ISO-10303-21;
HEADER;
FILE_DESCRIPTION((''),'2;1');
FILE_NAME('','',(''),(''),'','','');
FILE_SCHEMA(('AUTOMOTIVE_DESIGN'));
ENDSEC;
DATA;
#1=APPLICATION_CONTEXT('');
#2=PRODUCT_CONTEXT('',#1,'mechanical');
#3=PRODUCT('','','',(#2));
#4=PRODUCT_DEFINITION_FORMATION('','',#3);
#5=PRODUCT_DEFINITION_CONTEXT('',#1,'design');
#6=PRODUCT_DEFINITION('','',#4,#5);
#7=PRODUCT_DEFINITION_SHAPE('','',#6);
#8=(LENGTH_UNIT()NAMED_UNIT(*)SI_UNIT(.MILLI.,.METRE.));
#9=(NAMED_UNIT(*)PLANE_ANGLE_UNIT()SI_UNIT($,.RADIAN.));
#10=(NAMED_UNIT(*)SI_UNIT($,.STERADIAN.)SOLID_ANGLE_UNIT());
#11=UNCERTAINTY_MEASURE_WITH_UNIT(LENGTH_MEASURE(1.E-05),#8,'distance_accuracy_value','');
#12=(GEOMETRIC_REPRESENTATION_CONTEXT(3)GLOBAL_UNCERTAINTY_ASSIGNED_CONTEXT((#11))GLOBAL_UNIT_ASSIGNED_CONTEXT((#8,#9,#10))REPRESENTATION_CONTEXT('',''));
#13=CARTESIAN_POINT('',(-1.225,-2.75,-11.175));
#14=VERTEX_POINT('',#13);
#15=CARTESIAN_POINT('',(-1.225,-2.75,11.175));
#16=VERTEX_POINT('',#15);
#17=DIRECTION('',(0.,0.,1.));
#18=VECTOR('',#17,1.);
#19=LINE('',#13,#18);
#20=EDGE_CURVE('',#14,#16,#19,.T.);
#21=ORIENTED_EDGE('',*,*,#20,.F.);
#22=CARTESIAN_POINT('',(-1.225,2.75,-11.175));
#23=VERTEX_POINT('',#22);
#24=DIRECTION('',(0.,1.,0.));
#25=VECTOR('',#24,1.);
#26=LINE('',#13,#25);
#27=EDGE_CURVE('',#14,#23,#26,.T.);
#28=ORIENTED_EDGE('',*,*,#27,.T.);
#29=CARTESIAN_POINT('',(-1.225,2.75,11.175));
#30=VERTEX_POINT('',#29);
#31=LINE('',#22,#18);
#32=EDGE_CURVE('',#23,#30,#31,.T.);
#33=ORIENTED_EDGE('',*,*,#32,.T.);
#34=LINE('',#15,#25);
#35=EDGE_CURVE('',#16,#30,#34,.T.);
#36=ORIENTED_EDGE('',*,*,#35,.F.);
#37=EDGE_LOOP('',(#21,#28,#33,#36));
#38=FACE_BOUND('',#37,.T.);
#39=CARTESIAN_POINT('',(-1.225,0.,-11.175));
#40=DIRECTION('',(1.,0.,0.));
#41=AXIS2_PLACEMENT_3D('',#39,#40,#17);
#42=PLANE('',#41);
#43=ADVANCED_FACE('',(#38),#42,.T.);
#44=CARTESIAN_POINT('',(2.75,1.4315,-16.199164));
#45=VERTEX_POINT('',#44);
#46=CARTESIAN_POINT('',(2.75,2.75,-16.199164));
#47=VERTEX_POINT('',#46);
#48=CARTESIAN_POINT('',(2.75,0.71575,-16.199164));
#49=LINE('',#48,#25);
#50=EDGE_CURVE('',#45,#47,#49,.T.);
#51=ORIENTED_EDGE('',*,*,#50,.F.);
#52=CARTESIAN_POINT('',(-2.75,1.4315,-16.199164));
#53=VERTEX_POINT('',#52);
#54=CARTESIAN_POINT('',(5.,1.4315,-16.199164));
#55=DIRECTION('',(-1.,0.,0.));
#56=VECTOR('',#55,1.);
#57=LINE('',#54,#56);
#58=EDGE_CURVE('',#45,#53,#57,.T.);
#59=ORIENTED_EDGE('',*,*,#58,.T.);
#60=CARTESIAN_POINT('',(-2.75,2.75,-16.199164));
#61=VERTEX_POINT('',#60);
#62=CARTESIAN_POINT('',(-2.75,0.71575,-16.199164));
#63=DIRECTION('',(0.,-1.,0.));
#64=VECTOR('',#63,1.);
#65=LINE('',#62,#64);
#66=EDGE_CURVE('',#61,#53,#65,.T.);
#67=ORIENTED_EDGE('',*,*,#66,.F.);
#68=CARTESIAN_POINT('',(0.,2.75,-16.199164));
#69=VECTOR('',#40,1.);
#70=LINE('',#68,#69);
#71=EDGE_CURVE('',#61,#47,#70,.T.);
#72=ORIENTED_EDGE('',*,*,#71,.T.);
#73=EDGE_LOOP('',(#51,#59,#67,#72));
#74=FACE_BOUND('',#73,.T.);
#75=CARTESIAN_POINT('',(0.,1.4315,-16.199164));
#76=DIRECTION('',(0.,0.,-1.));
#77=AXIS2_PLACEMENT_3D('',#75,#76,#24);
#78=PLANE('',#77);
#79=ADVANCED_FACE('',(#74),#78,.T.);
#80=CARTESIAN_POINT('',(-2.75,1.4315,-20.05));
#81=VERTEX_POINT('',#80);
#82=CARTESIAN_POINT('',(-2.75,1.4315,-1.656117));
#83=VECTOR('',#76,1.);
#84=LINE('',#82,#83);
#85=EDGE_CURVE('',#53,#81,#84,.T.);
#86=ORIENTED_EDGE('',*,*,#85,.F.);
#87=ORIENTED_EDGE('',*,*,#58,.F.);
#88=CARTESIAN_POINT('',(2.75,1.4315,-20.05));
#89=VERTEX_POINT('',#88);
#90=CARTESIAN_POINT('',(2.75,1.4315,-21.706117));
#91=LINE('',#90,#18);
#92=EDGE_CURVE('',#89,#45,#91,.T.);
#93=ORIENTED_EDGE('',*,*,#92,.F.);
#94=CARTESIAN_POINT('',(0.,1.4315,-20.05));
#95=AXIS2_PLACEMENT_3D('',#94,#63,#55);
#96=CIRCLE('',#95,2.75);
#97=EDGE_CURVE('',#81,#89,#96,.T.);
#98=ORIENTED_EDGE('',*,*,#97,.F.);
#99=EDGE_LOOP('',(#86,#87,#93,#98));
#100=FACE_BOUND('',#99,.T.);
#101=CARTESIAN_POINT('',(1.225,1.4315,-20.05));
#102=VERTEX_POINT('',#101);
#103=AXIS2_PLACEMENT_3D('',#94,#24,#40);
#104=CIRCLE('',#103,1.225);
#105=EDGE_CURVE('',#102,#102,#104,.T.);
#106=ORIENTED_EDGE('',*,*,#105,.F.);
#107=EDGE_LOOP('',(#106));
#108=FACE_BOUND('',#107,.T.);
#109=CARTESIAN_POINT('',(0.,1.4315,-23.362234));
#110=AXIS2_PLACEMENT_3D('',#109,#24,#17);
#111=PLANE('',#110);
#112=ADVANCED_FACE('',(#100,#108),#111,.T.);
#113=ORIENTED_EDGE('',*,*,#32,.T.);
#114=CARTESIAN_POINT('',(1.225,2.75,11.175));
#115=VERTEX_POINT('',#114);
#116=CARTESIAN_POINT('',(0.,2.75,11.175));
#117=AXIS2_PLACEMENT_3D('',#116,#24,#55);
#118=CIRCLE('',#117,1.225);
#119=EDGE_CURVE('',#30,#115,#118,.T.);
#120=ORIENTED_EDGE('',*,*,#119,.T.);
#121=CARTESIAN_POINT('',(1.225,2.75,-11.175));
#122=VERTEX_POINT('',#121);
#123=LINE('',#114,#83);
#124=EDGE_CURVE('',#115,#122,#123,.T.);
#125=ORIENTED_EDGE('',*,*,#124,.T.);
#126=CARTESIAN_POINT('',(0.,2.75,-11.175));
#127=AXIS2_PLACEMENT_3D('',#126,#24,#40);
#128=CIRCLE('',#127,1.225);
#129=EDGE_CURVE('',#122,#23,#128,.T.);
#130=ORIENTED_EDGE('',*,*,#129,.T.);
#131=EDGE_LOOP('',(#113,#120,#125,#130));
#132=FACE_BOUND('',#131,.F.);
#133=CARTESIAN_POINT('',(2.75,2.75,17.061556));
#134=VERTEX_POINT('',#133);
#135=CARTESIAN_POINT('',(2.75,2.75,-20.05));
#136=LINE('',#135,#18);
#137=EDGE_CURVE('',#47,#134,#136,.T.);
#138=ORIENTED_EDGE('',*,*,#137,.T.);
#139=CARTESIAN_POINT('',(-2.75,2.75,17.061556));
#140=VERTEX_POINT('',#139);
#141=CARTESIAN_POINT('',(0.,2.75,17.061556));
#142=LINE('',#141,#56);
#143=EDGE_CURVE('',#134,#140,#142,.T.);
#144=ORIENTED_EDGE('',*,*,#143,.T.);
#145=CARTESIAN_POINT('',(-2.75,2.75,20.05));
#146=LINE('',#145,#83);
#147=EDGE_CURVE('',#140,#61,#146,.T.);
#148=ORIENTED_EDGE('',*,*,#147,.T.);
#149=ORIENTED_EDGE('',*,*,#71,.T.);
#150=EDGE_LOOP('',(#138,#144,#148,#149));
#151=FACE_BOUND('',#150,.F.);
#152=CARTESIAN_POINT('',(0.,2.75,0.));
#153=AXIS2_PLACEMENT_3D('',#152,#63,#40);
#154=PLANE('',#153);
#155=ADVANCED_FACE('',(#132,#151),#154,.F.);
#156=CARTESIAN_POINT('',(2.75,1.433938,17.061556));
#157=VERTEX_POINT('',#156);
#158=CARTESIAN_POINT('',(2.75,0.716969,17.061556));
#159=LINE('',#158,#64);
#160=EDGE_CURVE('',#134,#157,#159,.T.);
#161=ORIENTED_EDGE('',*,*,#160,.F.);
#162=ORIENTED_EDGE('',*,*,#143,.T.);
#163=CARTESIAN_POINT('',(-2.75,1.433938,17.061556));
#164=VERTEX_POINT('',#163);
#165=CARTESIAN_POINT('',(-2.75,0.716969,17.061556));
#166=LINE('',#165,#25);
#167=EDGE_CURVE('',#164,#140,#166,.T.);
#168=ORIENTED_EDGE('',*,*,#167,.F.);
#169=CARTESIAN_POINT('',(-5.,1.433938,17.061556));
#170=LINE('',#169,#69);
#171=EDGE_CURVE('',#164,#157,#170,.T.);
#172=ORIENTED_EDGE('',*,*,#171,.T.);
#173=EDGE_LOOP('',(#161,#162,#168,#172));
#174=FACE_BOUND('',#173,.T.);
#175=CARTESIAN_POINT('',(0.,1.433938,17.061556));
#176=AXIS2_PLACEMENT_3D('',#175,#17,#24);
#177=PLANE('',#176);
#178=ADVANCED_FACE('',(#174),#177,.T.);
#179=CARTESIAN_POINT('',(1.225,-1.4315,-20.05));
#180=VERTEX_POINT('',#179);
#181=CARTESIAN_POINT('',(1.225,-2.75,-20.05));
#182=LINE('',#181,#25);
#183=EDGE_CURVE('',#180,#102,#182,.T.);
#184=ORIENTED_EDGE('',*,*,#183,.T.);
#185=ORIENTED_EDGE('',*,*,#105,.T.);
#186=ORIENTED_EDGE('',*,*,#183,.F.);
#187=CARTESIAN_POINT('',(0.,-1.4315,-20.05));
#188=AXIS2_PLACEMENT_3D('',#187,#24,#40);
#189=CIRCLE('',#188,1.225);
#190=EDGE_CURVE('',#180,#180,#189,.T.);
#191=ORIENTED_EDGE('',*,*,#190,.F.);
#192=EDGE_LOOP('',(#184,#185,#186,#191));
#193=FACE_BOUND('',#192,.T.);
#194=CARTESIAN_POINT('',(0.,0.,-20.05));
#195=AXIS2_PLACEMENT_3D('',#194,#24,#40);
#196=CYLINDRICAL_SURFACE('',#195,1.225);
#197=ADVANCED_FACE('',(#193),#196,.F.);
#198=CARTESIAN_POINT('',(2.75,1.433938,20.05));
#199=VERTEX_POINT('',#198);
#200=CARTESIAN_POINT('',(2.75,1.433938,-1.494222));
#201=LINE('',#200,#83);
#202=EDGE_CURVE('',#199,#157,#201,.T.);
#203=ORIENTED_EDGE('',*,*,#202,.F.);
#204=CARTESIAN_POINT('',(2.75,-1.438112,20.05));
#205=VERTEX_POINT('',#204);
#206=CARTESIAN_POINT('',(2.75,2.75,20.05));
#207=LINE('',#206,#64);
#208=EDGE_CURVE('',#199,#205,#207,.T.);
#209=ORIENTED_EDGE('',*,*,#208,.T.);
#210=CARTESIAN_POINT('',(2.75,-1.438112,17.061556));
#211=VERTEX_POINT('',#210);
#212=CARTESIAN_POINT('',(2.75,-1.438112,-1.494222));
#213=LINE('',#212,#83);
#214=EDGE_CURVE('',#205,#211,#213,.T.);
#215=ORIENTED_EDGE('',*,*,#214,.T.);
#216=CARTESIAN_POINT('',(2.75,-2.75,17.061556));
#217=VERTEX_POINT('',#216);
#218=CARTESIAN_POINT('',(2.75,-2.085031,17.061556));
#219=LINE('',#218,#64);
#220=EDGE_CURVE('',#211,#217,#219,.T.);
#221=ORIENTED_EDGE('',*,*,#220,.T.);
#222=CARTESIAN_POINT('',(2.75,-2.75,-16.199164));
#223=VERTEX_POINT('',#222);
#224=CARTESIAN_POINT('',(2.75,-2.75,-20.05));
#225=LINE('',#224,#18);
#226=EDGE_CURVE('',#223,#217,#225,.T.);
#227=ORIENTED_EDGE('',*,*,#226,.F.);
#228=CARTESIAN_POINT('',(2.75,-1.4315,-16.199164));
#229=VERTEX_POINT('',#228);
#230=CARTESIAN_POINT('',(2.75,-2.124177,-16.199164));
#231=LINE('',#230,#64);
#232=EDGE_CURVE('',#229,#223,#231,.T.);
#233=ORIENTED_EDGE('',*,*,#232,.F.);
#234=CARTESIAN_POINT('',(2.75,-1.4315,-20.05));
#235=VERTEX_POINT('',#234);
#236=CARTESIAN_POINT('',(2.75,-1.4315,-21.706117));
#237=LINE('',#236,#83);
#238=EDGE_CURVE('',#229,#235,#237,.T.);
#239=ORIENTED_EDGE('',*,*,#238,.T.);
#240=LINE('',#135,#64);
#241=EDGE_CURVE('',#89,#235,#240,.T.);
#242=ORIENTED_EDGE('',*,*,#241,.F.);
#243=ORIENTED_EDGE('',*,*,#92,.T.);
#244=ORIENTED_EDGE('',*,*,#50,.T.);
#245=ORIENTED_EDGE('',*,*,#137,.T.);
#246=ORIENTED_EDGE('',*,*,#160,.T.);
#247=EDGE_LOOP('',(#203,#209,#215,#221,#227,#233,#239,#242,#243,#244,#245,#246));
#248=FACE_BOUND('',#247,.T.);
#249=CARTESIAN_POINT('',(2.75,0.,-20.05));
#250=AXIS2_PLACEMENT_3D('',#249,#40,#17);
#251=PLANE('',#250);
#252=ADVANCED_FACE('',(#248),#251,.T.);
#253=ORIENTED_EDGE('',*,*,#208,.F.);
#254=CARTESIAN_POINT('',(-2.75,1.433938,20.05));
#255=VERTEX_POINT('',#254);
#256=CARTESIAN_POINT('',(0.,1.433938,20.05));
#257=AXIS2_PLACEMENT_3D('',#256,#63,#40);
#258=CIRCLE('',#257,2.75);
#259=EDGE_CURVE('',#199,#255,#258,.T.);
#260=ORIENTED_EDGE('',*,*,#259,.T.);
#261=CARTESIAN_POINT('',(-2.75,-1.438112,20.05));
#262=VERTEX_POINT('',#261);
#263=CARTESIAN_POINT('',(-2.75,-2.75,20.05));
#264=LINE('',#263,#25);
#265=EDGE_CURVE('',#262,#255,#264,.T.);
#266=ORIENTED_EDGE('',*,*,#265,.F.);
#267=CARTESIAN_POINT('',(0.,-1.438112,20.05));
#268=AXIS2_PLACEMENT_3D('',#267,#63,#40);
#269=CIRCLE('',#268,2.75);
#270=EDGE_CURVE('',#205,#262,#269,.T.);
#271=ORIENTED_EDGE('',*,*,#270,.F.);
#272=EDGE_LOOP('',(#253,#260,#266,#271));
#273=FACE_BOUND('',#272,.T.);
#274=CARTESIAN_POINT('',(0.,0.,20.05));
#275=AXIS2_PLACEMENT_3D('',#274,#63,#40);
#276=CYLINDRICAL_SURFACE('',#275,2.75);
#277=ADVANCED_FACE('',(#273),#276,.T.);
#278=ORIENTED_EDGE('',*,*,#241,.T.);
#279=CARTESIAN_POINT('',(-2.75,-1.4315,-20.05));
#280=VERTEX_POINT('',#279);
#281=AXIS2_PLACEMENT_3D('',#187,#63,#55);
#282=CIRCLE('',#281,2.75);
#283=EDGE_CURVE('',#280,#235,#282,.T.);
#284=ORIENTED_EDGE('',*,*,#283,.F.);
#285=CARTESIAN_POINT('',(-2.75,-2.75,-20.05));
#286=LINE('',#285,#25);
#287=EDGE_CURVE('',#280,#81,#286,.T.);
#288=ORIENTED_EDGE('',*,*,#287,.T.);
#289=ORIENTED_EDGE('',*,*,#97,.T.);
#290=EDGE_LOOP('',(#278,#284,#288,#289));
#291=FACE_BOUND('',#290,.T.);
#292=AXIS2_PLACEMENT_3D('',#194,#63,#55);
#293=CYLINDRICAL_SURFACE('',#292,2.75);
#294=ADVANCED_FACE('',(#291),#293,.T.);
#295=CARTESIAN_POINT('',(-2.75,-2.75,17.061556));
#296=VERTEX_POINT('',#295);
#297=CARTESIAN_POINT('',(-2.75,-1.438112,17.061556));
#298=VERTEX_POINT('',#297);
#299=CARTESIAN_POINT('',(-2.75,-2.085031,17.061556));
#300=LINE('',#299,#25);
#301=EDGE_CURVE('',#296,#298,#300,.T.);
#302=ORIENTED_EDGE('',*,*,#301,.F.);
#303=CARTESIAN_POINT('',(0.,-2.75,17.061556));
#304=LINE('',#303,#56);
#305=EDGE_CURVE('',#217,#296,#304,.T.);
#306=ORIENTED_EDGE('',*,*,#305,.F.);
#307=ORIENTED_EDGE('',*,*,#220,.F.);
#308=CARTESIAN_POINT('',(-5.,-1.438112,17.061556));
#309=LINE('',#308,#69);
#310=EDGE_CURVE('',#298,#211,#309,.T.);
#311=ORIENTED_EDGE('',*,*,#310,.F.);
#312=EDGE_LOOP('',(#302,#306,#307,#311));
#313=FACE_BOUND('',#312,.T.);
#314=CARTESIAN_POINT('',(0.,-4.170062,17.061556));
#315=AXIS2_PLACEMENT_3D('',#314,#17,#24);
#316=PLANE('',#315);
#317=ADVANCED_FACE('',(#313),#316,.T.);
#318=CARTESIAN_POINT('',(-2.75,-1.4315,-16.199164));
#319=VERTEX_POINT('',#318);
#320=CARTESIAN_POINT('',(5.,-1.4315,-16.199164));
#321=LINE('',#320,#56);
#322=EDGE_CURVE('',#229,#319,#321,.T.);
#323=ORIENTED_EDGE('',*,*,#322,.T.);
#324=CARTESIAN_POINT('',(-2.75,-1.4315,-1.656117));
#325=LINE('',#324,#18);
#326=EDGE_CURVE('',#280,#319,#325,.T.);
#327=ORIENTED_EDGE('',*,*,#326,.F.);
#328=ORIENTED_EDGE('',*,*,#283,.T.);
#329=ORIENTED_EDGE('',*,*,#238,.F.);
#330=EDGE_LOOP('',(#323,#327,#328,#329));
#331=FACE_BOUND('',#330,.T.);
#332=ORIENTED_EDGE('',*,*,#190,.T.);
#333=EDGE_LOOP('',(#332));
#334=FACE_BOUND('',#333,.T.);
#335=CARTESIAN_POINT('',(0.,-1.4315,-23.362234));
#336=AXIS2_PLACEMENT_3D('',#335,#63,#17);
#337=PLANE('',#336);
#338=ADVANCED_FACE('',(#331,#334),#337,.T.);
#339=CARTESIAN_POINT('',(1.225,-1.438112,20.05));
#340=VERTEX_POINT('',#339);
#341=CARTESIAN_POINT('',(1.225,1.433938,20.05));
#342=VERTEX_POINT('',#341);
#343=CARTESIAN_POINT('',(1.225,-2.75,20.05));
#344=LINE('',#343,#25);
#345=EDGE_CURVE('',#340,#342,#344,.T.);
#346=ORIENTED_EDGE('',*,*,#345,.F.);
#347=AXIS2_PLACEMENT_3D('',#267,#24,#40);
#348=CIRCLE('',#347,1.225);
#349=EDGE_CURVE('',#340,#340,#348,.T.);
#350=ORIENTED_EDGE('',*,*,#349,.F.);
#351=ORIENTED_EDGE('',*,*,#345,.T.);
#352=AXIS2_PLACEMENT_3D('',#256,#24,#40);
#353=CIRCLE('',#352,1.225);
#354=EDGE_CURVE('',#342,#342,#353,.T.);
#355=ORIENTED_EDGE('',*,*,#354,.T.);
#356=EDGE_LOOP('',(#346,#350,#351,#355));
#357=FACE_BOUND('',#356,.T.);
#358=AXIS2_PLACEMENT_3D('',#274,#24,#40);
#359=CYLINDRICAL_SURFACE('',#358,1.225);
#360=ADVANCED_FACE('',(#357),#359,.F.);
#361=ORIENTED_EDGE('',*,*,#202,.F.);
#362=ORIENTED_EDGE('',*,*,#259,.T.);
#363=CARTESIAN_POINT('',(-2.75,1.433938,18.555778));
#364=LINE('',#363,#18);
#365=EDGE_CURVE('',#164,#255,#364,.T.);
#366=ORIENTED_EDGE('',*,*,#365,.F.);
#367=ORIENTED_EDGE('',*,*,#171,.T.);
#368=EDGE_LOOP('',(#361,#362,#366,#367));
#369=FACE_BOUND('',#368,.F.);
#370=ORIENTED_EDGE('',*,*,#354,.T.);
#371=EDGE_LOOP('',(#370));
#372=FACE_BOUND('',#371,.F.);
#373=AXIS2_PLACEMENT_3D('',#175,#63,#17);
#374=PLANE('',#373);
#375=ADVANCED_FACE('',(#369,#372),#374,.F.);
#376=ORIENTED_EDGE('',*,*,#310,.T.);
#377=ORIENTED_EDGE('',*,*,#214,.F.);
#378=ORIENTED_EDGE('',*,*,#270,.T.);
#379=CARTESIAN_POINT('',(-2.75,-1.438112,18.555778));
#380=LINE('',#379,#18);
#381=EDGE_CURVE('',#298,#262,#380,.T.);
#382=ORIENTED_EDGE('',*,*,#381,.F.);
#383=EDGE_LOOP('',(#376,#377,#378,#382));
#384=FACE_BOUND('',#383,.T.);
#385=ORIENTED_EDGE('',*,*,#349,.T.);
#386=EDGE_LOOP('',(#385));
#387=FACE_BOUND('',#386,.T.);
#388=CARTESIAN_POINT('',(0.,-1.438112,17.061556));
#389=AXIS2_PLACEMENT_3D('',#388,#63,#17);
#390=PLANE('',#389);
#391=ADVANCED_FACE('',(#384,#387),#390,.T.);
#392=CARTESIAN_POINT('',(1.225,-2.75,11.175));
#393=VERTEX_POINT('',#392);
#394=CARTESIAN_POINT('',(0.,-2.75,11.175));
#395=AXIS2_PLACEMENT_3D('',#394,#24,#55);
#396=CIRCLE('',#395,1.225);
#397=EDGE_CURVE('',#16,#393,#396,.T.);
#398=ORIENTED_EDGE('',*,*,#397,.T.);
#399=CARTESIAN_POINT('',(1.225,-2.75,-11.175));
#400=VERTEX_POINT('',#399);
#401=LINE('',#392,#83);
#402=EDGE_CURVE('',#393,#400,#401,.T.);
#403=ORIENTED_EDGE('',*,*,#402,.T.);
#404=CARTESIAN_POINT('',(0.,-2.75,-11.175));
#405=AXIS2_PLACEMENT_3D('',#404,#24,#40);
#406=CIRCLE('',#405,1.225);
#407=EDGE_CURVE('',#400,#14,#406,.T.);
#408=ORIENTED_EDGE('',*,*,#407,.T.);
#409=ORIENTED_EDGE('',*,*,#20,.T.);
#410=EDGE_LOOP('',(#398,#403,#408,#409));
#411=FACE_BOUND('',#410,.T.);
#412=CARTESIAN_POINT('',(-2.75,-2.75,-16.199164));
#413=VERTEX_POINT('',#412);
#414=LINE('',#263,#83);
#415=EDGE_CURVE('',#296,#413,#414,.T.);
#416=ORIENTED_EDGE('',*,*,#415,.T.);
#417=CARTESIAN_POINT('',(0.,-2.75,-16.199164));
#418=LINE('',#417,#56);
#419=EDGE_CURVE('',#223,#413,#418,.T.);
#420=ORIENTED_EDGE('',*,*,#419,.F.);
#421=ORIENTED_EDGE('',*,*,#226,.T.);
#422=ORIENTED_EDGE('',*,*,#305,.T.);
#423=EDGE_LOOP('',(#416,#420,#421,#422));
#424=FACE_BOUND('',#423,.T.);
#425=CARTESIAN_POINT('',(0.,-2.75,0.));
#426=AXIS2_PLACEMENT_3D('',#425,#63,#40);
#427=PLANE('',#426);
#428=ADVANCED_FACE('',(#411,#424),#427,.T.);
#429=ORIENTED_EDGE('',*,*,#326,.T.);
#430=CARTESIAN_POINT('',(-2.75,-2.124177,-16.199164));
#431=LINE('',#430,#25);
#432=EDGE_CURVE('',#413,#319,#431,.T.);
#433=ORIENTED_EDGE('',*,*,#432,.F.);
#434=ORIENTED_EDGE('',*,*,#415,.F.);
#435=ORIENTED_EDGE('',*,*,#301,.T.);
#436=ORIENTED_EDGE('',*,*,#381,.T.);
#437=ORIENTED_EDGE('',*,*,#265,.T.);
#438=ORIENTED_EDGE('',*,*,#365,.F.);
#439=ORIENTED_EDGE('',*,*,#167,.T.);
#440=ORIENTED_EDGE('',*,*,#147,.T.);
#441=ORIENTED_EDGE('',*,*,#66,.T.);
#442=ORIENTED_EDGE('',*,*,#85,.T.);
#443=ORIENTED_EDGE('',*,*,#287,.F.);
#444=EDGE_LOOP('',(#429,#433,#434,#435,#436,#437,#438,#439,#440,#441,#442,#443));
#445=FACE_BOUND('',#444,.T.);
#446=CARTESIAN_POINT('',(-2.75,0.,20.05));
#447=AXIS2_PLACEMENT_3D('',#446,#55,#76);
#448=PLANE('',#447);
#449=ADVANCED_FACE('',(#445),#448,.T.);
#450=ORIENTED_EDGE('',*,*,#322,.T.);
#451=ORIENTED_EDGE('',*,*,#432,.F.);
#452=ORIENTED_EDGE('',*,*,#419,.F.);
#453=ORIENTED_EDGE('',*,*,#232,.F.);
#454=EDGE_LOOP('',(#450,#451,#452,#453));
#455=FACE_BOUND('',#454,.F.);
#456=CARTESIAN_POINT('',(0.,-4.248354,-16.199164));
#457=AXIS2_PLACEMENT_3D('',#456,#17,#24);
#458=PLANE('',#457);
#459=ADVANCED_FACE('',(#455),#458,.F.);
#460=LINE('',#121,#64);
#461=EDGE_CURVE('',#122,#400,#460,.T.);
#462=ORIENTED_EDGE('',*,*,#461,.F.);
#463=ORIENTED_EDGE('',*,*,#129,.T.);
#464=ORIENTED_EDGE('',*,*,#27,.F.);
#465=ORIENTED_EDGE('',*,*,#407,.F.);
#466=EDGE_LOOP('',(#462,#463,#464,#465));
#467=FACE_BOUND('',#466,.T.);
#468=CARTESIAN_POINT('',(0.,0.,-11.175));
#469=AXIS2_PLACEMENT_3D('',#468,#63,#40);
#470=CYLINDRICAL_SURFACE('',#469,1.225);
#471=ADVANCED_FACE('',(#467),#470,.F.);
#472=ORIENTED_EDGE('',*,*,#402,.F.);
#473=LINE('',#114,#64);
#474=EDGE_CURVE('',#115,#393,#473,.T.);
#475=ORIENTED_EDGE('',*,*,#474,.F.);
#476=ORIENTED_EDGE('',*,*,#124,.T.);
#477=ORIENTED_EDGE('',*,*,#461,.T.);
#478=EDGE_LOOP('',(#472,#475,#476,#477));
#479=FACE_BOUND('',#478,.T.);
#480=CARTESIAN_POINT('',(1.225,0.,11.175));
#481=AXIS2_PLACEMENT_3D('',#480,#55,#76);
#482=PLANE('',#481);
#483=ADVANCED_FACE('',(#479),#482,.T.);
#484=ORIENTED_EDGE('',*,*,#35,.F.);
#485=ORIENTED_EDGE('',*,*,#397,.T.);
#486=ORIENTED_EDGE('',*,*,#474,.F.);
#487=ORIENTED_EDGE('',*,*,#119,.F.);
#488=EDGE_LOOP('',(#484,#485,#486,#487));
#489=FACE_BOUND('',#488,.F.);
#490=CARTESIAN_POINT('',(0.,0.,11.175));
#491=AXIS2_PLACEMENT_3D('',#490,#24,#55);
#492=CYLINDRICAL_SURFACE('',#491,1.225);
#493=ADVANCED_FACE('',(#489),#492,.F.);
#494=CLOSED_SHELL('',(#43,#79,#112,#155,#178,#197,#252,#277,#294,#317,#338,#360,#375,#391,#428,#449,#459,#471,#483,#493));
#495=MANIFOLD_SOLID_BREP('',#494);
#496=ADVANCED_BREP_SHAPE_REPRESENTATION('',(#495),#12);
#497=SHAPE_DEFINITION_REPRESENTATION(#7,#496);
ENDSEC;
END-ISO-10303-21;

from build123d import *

# Parameters (mm, degrees)
F0_R     = 1.225
F1_DEPTH = 2.75
F2_DEPTH = 25
F3_W     = 2.7319499059
F3_H     = 6.5613500774
F3_W_2   = 2.5918500032
F3_W_3   = 2.8168536527
F3_H_2   = 7.1630705833
F3_W_4   = 2.5843745833
F4_DEPTH = 5


with BuildPart() as f1:
    # F0 (on Front) → F1 (new body, symmetric)
    with BuildSketch(Plane.XZ):
        with BuildLine():
            ThreePointArc((-2.75, -20.05), (0, -22.8), (2.75, -20.05))
            Line((2.75, -20.05), (2.75, 20.05))
            ThreePointArc((2.75, 20.05), (0, 22.8), (-2.75, 20.05))
            Line((-2.75, 20.05), (-2.75, -20.05))
        make_face()
        with Locations((0, -20.05)):
            Circle(F0_R, mode=Mode.SUBTRACT)
        with BuildLine():
            Line((-1.225, -11.175), (-1.225, 11.175))
            ThreePointArc((-1.225, 11.175), (0, 12.4), (1.225, 11.175))
            Line((1.225, 11.175), (1.225, -11.175))
            ThreePointArc((1.225, -11.175), (0, -12.4), (-1.225, -11.175))
        make_face(mode=Mode.SUBTRACT)
        with Locations((0, 20.05)):
            Circle(F0_R, mode=Mode.SUBTRACT)
    extrude(amount=F1_DEPTH, both=True)

    # F0 (on Front) → F2 (cut)
    with BuildSketch(Plane.XZ):
        with Locations((0, 20.05)):
            Circle(F0_R)
        with BuildLine():
            ThreePointArc((1.225, 11.175), (0, 12.4), (-1.225, 11.175))
            Line((-1.225, 11.175), (-1.225, -11.175))
            ThreePointArc((-1.225, -11.175), (0, -12.4), (1.225, -11.175))
            Line((1.225, -11.175), (1.225, 11.175))
        make_face()
        with Locations((0, -20.05)):
            Circle(F0_R)
    extrude(amount=-F2_DEPTH, mode=Mode.SUBTRACT)

    # F3 (on Right) → F4 (cut, symmetric)
    with BuildSketch(Plane.YZ):
        with Locations((-2.8040870675, 20.3422307968)):
            Rectangle(F3_W, F3_H)
        with Locations((2.7298625791, 20.3422307968)):
            Rectangle(F3_W_2, F3_H)
        with Locations((-2.8399268263, -19.7806989431)):
            Rectangle(F3_W_3, F3_H_2)
        with Locations((2.7236872916, -19.7806989431)):
            Rectangle(F3_W_4, F3_H_2)
    extrude(amount=F4_DEPTH, both=True, mode=Mode.SUBTRACT)


solid = f1.part
